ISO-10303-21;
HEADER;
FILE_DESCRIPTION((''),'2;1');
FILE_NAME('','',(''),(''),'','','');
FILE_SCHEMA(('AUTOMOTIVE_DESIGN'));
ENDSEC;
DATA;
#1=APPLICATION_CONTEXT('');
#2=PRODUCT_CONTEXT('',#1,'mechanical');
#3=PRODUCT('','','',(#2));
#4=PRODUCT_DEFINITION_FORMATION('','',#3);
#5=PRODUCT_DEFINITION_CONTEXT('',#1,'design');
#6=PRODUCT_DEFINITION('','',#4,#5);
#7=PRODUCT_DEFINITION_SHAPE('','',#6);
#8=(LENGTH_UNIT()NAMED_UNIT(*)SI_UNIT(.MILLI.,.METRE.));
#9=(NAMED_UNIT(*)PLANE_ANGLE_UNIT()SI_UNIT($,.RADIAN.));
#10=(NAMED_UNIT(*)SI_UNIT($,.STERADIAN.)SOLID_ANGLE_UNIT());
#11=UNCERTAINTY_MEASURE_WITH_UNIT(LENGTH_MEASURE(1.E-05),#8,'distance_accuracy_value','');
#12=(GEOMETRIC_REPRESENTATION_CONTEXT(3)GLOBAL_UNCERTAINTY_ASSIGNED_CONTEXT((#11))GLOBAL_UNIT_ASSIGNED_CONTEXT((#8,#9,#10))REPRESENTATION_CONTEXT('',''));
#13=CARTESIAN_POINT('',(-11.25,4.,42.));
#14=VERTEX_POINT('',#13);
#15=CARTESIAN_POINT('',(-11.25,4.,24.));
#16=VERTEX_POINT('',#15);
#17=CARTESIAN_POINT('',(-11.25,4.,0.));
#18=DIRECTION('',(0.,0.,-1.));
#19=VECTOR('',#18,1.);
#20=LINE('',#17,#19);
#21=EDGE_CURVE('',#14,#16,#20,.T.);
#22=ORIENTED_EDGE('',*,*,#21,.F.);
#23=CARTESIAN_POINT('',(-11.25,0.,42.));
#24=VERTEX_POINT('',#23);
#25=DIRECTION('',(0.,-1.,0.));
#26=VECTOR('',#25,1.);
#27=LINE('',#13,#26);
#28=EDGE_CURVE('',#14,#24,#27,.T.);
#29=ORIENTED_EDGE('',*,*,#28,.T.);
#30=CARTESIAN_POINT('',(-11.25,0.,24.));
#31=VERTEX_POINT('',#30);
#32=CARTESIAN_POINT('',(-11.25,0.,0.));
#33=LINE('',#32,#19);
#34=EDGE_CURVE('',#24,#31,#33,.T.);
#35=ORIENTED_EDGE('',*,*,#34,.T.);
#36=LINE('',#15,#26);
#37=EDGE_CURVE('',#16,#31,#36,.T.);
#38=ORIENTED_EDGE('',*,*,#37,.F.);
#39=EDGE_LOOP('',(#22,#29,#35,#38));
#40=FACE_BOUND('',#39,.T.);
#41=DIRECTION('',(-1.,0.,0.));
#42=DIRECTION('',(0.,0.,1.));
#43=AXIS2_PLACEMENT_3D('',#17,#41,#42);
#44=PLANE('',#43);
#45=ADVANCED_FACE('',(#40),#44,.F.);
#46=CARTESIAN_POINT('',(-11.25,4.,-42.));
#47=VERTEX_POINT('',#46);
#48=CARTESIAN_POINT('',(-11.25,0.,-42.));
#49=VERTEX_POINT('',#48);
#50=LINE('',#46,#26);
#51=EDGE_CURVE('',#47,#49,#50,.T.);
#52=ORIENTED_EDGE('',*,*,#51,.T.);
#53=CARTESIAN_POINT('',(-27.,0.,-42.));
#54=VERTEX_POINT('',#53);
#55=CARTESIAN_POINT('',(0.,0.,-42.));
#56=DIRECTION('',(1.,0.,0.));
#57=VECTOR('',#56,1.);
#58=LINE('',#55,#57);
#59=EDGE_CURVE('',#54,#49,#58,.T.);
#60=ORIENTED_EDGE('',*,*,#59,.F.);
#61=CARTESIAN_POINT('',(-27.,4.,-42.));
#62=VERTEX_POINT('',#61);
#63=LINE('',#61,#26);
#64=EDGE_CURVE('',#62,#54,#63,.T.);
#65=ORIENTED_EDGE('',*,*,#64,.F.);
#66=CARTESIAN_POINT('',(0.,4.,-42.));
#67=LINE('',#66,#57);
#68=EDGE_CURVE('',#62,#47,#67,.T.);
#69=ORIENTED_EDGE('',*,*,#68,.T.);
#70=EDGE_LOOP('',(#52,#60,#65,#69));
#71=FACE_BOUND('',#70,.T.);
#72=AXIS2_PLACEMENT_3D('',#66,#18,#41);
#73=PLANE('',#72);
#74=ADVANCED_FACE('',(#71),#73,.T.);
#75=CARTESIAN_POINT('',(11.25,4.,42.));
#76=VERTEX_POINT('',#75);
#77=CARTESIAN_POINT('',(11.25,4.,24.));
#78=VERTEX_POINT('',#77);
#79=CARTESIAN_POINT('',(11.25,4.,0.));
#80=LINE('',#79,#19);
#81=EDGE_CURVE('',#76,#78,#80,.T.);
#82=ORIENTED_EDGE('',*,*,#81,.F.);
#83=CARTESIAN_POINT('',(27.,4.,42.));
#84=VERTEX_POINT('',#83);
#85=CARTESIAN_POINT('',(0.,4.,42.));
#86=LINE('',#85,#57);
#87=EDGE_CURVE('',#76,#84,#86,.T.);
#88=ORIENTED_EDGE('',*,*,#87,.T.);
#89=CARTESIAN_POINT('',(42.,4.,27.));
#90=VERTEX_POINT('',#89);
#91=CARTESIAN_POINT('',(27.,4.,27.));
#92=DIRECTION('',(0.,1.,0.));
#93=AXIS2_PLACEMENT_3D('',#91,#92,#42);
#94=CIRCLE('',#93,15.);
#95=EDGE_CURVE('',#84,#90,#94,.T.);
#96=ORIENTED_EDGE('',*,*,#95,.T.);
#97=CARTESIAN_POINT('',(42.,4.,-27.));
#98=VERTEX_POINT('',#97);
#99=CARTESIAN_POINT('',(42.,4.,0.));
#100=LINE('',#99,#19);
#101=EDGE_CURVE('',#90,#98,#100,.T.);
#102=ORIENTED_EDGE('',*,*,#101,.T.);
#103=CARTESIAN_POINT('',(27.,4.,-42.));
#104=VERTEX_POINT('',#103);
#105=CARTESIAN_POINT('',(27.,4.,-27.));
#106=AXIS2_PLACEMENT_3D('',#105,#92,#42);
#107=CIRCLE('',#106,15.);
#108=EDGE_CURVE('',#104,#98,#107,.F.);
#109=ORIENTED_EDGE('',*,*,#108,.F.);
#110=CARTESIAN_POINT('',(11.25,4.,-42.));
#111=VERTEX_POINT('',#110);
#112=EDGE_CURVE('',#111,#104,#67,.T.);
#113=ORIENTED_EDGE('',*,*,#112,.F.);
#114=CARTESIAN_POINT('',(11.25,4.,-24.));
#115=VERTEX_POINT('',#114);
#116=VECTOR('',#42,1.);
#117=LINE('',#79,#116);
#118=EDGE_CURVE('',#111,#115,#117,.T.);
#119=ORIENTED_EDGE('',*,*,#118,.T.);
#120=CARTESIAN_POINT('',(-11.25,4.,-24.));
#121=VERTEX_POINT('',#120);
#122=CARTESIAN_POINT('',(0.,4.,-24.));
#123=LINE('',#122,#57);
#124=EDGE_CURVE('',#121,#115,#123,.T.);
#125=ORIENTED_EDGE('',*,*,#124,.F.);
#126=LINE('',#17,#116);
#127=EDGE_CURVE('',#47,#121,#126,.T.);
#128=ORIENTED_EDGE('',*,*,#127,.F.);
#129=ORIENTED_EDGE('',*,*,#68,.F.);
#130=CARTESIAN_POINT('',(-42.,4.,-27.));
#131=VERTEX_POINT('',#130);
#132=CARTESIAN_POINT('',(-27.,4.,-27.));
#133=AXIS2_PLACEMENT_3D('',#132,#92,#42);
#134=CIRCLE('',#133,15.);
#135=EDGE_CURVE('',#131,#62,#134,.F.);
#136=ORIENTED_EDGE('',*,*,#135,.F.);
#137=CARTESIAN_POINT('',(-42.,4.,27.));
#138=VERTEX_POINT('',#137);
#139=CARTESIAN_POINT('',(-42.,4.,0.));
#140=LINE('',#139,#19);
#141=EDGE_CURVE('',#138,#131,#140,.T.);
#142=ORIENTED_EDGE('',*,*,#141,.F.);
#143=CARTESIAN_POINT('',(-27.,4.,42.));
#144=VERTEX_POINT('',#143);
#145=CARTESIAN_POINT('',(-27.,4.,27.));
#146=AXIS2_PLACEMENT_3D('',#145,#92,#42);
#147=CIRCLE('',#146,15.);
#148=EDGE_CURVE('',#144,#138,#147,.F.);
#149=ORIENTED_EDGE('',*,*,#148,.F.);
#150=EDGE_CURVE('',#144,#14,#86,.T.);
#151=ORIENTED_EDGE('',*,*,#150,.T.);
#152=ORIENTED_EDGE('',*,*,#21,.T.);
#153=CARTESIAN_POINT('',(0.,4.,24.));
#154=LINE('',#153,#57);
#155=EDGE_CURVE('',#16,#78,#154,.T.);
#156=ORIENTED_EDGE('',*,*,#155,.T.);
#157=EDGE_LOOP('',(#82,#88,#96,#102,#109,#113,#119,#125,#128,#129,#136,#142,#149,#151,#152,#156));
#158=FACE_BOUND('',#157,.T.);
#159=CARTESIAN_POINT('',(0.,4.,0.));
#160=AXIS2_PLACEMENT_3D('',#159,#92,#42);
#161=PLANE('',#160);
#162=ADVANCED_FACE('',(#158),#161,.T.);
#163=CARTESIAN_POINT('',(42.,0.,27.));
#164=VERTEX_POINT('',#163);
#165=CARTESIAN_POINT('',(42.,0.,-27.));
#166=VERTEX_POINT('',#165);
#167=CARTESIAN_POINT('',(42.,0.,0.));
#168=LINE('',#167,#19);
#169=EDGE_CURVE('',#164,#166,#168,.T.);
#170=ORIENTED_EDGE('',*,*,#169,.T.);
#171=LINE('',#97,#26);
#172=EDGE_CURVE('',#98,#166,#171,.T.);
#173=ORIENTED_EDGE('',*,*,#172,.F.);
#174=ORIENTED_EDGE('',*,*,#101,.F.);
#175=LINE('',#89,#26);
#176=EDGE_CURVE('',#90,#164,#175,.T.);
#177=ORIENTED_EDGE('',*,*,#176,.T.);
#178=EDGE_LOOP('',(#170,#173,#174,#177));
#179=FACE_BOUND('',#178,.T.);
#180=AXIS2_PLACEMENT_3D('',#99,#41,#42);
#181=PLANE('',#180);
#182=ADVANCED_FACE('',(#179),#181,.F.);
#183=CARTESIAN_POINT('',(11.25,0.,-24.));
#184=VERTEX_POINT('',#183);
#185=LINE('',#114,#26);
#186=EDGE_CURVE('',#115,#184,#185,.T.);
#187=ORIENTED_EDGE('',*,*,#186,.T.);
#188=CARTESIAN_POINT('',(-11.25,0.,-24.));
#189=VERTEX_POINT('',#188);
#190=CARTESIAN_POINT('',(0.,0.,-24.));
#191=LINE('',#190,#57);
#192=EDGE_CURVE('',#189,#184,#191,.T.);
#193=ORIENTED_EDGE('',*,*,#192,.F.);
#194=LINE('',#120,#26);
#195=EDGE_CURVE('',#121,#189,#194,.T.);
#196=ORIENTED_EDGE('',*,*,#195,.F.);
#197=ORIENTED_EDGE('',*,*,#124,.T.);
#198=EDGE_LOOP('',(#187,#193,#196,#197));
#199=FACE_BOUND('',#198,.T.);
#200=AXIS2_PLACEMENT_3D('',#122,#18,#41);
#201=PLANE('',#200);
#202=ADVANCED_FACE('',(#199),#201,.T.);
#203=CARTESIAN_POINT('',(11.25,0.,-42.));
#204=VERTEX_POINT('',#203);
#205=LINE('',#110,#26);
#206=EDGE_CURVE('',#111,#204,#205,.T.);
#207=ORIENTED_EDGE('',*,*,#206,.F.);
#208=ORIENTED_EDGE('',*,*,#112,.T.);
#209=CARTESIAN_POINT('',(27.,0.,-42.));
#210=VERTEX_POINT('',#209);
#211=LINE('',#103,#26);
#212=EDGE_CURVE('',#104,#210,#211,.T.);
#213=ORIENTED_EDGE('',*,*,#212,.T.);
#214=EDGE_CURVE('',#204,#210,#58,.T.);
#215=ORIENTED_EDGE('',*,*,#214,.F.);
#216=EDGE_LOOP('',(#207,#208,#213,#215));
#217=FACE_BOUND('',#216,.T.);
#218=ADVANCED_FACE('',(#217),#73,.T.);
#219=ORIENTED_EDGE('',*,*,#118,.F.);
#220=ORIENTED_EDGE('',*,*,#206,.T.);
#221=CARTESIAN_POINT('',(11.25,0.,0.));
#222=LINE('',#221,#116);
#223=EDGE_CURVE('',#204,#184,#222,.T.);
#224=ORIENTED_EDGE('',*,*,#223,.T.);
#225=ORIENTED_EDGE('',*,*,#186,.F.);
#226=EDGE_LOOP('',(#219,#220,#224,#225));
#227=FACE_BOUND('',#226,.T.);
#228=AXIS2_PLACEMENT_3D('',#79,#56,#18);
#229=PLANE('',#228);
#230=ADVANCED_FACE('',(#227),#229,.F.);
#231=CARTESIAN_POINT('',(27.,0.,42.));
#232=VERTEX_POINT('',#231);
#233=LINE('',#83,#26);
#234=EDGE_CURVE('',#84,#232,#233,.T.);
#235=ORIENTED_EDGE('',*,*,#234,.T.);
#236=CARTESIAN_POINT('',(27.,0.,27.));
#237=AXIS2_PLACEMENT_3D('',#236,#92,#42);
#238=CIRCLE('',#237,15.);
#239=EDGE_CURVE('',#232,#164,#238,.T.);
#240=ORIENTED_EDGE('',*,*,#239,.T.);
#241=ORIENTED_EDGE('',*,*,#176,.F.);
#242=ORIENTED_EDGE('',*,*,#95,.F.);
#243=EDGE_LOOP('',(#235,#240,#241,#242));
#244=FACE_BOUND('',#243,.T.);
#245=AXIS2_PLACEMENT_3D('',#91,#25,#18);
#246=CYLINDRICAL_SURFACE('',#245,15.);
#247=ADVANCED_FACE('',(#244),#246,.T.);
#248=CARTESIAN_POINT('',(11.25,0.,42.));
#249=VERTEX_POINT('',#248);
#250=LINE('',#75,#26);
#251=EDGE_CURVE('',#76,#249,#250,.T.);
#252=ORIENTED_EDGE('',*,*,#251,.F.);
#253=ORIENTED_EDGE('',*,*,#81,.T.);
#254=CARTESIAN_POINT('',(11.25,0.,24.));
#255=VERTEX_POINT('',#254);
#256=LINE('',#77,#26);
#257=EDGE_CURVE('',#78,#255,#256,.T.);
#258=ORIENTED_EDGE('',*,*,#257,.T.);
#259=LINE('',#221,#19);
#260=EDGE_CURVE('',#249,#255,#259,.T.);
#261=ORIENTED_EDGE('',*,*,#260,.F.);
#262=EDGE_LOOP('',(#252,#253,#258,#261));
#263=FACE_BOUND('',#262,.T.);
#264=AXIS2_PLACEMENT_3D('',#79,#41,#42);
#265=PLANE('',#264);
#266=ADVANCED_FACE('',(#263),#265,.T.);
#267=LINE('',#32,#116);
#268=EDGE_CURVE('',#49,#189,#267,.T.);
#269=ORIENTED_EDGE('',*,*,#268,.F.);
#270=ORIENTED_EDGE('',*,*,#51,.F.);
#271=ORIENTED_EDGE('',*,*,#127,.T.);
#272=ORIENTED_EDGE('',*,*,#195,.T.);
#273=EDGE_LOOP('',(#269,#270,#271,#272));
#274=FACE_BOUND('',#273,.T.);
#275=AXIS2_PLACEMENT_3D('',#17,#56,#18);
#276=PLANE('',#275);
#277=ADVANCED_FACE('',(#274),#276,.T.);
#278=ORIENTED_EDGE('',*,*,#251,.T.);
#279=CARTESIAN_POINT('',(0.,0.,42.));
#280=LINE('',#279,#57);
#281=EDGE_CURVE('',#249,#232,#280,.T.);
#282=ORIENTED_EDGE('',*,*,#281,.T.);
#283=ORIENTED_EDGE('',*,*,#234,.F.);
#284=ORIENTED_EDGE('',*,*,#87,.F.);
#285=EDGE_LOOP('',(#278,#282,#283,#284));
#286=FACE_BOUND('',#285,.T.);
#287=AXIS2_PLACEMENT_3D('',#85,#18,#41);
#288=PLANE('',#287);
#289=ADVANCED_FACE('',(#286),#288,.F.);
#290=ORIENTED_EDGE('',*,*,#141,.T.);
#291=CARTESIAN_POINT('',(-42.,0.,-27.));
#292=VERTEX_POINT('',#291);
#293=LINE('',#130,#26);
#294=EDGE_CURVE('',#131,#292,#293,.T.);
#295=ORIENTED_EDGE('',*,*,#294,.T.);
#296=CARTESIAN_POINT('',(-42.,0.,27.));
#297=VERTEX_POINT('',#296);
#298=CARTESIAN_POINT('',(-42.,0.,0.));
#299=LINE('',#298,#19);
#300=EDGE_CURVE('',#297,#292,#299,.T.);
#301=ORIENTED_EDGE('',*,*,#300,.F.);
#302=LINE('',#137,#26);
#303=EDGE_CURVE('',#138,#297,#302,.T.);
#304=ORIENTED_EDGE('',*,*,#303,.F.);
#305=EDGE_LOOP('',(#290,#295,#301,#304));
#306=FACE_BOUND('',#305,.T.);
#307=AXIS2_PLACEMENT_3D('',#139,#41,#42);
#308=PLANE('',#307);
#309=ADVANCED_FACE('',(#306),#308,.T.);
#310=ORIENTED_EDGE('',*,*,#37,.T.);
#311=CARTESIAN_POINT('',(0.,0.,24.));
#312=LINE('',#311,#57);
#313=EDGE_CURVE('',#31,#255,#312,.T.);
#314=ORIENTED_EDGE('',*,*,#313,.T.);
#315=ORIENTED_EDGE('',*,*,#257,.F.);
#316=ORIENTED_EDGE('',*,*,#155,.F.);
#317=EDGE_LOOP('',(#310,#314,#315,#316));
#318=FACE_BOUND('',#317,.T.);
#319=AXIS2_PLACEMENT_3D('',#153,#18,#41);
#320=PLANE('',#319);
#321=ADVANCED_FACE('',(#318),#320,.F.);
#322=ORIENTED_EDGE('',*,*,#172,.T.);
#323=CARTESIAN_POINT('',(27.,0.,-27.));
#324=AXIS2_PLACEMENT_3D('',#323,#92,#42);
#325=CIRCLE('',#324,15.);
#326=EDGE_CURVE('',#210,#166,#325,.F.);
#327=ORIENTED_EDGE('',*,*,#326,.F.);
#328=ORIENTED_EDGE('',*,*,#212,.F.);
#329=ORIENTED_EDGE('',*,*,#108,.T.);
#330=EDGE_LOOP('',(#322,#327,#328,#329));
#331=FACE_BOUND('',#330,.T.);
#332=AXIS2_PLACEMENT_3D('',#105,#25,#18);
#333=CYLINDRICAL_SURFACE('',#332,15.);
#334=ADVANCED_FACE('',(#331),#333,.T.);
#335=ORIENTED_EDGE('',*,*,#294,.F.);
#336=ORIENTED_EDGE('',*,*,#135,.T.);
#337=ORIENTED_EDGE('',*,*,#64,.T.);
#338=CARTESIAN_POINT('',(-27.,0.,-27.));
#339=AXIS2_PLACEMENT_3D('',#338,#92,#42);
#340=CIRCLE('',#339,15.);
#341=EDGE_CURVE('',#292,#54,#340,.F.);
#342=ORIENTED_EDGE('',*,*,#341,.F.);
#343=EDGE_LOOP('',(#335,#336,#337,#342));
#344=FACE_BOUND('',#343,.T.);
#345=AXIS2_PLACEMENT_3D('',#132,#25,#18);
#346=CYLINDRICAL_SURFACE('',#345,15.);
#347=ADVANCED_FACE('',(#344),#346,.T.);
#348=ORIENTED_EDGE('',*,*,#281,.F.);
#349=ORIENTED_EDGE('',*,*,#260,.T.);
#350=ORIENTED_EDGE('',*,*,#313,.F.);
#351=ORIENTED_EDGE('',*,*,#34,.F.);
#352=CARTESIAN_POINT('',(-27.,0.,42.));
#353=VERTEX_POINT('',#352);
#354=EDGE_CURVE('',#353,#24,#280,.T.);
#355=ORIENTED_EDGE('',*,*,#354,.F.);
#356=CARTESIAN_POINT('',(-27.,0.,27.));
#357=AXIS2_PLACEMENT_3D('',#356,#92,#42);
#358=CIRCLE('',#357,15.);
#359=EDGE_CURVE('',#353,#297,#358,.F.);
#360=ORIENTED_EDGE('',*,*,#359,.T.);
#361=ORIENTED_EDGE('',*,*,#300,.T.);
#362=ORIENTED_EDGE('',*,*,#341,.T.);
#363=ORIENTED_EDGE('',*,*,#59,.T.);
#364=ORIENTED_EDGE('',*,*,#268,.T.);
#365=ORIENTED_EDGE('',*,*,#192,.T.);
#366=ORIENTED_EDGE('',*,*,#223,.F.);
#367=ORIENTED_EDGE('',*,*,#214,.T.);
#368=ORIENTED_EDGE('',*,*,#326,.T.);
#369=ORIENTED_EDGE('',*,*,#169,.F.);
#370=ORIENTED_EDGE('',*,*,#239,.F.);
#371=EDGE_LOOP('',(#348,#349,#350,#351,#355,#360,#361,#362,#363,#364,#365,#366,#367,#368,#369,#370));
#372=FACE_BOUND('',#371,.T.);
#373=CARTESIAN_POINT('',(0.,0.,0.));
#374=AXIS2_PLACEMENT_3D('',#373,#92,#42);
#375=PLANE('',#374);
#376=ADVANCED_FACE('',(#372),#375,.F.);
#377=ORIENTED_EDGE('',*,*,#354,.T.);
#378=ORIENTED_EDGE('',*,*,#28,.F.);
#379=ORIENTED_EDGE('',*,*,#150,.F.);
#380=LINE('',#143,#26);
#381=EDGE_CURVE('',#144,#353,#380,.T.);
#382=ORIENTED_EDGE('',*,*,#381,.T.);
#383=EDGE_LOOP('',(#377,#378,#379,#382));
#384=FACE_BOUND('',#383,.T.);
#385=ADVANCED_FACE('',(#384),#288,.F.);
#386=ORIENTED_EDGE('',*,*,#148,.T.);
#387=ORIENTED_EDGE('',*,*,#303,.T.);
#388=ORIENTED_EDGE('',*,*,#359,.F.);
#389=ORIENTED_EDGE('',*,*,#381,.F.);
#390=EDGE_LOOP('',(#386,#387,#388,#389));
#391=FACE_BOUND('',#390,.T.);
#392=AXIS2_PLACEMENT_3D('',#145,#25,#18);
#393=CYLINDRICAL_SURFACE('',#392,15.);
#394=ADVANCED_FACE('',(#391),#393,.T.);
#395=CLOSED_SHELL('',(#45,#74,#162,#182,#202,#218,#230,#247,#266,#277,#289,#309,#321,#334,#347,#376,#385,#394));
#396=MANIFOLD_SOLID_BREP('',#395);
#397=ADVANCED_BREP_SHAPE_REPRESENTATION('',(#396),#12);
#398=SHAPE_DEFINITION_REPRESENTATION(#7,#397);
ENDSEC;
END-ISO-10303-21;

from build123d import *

# Parameters (mm, degrees)
BOSS_EXTRUDE1_DEPTH = 4


with BuildPart() as part:
    # Layer1 → Boss-Extrude1 (new body)
    with BuildSketch(Plane(origin=(0, 0, 0), x_dir=(1, 0, 0), z_dir=(0, 1, 0))):
        with BuildLine():
            Line((27, 42), (11.25, 42))
            Line((11.25, 42), (11.25, 24))
            Line((11.25, 24), (-11.25, 24))
            Line((-11.25, 24), (-11.25, 42))
            Line((-11.25, 42), (-27, 42))
            ThreePointArc((-27, 42), (-37.606601718, 37.606601718), (-42, 27))
            Line((-42, 27), (-42, 21.5))
            Line((-42, 21.5), (-42, -21.5))
            Line((-42, -21.5), (-42, -27))
            ThreePointArc((-42, -27), (-37.606601718, -37.606601718), (-27, -42))
            Line((-27, -42), (-11.25, -42))
            Line((-11.25, -42), (-11.25, -24))
            Line((-11.25, -24), (11.25, -24))
            Line((11.25, -24), (11.25, -42))
            Line((11.25, -42), (27, -42))
            ThreePointArc((27, -42), (37.606601718, -37.606601718), (42, -27))
            Line((42, -27), (42, 27))
            ThreePointArc((42, 27), (37.606601718, 37.606601718), (27, 42))
        make_face()
    extrude(amount=BOSS_EXTRUDE1_DEPTH)


solid = part.part
